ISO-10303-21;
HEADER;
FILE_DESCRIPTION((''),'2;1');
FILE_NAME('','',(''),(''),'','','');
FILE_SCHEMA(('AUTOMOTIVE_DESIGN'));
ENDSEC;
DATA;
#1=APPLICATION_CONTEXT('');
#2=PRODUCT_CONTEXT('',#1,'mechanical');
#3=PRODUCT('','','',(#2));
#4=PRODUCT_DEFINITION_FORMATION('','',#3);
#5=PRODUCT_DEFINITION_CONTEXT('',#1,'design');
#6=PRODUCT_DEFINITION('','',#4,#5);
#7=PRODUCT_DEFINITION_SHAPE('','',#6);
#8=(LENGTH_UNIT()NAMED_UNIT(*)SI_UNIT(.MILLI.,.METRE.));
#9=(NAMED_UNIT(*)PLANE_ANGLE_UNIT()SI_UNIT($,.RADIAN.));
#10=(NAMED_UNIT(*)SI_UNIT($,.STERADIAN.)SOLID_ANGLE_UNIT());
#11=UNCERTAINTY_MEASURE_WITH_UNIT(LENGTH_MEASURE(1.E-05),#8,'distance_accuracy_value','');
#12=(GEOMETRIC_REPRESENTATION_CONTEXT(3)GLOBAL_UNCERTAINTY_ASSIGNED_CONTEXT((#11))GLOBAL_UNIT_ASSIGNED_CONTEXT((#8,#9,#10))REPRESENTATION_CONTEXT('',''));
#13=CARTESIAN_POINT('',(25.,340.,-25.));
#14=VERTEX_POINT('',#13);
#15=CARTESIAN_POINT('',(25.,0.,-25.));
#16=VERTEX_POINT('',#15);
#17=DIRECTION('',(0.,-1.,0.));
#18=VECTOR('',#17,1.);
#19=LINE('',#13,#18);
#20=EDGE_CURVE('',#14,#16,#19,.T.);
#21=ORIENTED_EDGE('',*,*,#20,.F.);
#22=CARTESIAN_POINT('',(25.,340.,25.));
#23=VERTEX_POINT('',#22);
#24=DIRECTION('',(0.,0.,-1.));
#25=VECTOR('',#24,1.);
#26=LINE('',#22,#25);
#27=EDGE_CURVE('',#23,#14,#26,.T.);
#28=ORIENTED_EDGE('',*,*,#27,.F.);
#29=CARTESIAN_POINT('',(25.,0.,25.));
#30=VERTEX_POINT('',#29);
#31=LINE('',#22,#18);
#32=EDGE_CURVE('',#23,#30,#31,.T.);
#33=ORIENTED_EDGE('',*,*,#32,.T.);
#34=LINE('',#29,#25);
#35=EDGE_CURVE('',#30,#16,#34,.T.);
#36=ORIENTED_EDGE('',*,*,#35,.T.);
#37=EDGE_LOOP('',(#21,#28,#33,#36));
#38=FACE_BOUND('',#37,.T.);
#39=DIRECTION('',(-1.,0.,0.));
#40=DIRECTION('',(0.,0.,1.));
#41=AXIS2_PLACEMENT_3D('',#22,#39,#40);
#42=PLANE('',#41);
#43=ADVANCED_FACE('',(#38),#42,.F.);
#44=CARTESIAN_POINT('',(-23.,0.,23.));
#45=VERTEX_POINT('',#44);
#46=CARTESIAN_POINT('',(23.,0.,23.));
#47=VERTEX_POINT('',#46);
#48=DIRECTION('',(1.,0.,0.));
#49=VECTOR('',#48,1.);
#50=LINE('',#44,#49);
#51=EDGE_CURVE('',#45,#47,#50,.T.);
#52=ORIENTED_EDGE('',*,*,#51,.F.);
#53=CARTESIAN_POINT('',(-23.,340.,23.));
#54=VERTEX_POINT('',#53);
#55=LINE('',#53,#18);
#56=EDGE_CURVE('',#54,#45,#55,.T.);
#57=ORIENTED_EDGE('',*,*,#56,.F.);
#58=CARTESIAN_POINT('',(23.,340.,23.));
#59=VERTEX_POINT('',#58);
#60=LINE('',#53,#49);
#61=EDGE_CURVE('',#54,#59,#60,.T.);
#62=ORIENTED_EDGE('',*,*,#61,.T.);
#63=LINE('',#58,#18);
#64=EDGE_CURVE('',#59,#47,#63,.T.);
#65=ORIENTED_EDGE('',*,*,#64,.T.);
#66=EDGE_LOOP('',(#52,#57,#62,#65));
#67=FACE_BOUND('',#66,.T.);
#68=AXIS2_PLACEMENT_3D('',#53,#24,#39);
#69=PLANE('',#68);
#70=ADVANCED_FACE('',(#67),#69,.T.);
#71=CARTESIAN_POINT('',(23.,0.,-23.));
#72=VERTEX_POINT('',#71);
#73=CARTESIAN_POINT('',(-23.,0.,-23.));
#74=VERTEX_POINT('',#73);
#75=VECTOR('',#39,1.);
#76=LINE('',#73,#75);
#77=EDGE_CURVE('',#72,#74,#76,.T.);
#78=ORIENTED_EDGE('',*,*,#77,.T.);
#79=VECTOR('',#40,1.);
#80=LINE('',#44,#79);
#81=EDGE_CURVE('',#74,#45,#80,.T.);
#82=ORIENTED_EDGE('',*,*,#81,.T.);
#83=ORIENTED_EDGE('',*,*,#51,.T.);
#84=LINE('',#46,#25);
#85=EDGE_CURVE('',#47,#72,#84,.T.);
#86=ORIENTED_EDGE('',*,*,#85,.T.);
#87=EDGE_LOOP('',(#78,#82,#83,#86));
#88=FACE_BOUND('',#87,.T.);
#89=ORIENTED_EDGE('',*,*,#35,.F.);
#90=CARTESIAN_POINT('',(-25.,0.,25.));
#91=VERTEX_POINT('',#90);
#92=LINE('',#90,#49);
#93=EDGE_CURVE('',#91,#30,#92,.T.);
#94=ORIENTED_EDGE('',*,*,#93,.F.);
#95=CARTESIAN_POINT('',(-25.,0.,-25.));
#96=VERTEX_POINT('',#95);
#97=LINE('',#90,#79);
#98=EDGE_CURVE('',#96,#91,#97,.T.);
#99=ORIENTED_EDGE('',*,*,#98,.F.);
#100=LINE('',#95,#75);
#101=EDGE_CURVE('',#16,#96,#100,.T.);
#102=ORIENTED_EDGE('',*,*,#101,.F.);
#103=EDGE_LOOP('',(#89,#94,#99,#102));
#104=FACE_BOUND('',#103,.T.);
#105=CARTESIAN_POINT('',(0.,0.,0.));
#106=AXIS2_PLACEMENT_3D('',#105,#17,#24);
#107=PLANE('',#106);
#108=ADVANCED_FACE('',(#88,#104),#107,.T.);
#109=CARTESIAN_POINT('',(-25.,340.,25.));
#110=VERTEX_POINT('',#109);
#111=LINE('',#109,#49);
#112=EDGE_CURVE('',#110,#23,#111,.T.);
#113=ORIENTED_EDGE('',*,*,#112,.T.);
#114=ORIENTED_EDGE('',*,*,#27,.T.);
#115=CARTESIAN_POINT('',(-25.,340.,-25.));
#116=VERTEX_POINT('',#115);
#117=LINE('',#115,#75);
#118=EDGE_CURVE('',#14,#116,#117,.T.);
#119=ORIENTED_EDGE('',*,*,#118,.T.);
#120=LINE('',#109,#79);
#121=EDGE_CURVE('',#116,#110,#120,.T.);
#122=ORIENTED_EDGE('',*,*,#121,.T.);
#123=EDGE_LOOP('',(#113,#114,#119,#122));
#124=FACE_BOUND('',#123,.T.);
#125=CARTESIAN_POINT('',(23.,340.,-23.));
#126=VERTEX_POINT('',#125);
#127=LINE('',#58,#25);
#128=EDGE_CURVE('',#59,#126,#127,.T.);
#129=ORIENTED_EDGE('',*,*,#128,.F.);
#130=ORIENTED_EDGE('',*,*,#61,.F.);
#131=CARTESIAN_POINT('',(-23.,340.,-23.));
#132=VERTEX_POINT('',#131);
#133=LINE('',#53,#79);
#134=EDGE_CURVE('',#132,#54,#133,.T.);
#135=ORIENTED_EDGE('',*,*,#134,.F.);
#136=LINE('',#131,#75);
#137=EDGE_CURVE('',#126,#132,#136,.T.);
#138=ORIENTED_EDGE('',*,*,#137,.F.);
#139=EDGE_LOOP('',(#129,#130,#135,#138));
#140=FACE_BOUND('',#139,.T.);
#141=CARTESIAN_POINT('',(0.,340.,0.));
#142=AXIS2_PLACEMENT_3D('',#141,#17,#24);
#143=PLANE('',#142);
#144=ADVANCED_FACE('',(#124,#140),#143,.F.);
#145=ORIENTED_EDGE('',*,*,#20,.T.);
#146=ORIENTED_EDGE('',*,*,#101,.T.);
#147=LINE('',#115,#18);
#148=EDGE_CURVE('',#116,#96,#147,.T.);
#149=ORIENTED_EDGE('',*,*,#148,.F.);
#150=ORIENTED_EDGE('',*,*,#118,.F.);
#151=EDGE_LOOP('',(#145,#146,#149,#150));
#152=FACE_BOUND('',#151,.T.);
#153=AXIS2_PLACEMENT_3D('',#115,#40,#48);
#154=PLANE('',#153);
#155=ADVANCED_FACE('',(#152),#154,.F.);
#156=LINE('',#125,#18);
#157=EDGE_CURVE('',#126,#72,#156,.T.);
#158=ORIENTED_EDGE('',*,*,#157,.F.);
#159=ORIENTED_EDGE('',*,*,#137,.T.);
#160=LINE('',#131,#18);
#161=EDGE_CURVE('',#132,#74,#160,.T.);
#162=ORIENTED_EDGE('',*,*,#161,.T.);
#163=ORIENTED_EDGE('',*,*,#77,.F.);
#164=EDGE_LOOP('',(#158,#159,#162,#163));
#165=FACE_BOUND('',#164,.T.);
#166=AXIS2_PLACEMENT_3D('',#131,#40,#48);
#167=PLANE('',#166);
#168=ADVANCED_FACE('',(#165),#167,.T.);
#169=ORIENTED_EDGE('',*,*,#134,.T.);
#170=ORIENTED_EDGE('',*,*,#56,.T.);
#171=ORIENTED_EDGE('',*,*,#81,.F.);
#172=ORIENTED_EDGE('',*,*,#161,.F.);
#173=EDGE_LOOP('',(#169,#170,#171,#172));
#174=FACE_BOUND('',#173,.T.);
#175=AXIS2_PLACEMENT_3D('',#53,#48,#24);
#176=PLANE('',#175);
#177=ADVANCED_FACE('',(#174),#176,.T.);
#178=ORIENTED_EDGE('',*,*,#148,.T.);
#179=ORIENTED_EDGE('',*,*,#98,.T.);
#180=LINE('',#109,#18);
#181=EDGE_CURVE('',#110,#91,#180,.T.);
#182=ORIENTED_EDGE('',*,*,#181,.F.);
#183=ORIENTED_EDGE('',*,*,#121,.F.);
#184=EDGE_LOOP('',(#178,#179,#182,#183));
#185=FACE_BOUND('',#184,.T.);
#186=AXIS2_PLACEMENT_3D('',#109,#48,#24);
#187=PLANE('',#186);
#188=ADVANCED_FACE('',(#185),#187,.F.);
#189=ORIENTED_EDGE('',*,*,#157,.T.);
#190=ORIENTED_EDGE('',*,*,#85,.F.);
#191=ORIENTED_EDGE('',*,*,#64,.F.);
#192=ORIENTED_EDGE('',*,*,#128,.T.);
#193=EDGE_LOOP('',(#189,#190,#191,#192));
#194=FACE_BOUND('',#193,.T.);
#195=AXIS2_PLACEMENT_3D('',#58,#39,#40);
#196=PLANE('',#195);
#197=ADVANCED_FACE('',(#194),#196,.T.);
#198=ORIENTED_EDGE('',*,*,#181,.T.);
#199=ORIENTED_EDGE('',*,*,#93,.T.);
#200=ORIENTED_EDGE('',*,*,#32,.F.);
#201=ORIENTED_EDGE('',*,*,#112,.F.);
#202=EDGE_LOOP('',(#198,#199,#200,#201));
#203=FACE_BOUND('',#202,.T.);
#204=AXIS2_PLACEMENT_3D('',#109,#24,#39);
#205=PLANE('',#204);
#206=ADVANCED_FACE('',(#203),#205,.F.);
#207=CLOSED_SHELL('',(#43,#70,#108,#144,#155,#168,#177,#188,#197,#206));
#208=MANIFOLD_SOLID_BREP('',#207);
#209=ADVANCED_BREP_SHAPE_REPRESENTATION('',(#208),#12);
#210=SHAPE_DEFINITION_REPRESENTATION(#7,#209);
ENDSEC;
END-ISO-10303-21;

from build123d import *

# Parameters (mm, degrees)
SKETCH1_W           = 50
SKETCH1_H           = 50
SKETCH1_W_2         = 46
SKETCH1_H_2         = 46
BOSS_EXTRUDE1_DEPTH = 340


with BuildPart() as part:
    # Sketch1 → Boss-Extrude1 (new body)
    with BuildSketch(Plane(origin=(0, 0, 0), x_dir=(1, 0, 0), z_dir=(0, 1, 0))):
        Rectangle(SKETCH1_W, SKETCH1_H)
        Rectangle(SKETCH1_W_2, SKETCH1_H_2, mode=Mode.SUBTRACT)
    extrude(amount=BOSS_EXTRUDE1_DEPTH)


solid = part.part
